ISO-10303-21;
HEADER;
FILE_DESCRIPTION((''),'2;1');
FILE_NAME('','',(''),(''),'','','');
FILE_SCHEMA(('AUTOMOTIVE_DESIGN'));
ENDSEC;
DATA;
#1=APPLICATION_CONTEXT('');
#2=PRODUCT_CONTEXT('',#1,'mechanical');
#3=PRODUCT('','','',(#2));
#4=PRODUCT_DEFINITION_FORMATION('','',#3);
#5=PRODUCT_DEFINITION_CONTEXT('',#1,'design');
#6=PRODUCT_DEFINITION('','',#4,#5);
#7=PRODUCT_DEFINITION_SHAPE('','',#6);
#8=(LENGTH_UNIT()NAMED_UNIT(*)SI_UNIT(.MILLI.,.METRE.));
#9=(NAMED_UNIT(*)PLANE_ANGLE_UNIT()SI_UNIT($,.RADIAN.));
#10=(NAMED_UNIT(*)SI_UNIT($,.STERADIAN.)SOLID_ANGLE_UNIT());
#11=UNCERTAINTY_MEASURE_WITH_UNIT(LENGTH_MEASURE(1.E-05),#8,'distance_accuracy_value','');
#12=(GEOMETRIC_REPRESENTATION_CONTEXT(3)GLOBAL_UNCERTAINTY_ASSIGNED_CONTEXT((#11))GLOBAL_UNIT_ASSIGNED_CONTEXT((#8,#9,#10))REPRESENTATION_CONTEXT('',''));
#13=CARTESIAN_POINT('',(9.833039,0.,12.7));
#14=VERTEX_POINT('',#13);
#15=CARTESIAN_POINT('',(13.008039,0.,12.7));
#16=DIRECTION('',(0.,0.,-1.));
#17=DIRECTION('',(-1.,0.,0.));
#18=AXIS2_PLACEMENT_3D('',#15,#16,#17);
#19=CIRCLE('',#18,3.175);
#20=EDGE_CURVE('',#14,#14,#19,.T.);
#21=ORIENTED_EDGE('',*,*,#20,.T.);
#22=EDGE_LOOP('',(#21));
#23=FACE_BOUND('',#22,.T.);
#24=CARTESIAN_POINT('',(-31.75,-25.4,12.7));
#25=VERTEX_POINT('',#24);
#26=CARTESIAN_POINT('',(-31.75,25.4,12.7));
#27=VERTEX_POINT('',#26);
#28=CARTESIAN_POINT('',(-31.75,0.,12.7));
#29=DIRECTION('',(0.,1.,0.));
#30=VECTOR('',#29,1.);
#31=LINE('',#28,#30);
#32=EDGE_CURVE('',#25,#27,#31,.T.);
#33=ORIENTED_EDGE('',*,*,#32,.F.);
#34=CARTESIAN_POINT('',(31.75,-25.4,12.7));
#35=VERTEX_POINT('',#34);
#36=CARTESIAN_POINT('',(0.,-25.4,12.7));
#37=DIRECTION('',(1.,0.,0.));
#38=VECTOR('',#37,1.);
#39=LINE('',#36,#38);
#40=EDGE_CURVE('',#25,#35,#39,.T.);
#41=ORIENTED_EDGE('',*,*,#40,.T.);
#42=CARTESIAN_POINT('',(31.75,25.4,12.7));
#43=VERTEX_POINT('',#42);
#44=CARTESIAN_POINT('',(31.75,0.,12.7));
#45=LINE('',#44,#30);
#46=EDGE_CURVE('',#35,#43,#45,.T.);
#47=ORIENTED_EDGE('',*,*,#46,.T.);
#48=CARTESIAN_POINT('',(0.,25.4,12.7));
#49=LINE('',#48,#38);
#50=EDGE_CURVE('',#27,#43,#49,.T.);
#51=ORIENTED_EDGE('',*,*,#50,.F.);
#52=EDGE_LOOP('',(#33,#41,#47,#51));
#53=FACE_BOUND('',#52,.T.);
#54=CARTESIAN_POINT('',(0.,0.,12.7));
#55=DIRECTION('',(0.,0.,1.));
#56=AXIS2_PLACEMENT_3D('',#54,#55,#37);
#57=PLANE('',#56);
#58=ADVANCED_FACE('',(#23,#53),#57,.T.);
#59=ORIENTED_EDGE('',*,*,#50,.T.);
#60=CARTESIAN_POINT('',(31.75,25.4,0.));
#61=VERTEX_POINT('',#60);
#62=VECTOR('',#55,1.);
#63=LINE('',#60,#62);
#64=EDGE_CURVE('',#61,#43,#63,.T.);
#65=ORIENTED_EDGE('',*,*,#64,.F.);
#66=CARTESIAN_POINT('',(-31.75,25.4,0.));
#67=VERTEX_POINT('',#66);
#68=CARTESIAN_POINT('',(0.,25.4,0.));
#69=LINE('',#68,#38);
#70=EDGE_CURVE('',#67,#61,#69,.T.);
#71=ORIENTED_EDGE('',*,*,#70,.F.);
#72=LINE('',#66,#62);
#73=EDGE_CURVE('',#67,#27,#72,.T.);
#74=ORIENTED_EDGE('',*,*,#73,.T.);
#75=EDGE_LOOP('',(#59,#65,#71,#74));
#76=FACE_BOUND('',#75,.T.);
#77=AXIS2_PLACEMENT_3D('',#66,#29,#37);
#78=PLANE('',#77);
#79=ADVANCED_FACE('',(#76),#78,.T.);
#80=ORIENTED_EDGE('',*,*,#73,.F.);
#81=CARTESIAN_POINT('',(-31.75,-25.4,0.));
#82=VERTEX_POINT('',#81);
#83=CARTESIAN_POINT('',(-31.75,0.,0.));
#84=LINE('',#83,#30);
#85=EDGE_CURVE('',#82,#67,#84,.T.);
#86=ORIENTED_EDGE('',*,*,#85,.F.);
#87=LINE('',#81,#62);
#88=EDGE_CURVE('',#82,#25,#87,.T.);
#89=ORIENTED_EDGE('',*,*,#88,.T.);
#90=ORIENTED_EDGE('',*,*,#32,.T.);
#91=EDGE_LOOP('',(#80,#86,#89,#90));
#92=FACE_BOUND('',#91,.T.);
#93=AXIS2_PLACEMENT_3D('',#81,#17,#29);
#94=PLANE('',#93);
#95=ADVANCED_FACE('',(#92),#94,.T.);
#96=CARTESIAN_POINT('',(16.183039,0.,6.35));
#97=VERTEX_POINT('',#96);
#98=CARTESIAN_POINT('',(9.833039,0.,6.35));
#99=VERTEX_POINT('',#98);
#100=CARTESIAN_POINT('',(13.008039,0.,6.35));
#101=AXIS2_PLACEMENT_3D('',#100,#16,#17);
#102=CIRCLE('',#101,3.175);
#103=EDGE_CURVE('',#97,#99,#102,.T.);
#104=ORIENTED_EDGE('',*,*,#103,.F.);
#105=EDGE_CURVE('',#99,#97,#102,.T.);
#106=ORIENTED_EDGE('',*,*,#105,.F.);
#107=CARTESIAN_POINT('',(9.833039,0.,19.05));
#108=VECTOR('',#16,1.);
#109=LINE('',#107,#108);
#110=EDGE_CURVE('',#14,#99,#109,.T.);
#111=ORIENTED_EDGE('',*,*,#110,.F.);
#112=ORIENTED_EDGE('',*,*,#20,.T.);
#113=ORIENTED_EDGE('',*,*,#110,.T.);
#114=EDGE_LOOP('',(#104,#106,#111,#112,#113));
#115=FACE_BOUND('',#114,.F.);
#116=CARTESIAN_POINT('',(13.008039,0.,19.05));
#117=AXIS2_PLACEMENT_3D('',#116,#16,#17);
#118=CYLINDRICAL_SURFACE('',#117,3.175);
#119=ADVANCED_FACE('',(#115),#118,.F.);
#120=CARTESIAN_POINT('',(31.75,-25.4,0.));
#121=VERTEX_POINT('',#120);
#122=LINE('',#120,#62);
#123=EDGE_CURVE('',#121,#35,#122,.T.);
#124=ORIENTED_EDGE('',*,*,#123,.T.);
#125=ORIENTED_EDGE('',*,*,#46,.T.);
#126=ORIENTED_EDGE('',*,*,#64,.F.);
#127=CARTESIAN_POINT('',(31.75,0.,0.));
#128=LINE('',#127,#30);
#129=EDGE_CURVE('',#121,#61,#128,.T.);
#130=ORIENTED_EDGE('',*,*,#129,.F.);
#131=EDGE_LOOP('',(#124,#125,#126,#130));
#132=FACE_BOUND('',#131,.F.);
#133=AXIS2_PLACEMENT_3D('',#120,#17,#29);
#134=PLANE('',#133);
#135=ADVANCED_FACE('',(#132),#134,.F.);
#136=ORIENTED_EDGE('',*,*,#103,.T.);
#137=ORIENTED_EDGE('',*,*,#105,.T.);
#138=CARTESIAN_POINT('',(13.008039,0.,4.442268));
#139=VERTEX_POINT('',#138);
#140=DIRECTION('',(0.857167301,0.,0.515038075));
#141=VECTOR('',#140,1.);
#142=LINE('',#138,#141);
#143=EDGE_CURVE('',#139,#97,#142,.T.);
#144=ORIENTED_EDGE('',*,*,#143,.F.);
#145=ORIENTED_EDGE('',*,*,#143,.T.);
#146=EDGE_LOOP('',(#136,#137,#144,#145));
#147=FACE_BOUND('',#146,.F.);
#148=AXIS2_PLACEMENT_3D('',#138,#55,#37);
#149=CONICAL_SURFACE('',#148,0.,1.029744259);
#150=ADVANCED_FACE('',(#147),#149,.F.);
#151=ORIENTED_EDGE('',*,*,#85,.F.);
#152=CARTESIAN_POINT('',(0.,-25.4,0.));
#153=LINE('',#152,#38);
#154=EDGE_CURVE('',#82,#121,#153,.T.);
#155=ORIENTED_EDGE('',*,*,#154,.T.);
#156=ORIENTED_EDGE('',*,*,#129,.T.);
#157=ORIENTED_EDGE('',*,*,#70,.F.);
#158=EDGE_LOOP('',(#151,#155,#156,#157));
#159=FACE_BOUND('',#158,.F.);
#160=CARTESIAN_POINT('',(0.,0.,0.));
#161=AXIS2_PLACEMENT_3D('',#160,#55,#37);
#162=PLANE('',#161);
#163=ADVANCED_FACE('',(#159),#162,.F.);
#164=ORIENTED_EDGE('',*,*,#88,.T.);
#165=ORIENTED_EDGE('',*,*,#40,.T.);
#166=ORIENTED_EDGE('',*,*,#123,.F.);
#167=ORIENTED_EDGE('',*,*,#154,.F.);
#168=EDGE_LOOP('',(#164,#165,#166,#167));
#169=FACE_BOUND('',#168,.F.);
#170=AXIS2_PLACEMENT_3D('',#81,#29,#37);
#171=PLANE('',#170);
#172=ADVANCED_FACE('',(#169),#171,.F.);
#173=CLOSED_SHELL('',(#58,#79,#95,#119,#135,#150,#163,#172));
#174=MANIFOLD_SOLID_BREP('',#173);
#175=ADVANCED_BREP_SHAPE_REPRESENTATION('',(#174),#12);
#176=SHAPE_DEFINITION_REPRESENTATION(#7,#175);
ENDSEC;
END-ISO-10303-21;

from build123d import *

# Parameters (mm, degrees)
F0_W     = 63.5
F0_H     = 50.8
F1_DEPTH = 12.7
F3_D     = 6.35
F3_DEPTH = 6.35
F3_TIP   = 1.9077324654


with BuildPart() as f1:
    # F0 (on Top) → F1 (new body)
    with BuildSketch(Plane.XY):
        Rectangle(F0_W, F0_H)
    extrude(amount=F1_DEPTH)

    # F3
    with Locations(Plane.XY.offset(12.7)):
        with Locations((13.0080394447, 0)):
            Hole(F3_D / 2, depth=F3_DEPTH)
            with Locations((0, 0, -(F3_DEPTH + F3_TIP / 2))):  # 118° drill point
                Cone(0, F3_D / 2, F3_TIP, mode=Mode.SUBTRACT)


solid = f1.part
